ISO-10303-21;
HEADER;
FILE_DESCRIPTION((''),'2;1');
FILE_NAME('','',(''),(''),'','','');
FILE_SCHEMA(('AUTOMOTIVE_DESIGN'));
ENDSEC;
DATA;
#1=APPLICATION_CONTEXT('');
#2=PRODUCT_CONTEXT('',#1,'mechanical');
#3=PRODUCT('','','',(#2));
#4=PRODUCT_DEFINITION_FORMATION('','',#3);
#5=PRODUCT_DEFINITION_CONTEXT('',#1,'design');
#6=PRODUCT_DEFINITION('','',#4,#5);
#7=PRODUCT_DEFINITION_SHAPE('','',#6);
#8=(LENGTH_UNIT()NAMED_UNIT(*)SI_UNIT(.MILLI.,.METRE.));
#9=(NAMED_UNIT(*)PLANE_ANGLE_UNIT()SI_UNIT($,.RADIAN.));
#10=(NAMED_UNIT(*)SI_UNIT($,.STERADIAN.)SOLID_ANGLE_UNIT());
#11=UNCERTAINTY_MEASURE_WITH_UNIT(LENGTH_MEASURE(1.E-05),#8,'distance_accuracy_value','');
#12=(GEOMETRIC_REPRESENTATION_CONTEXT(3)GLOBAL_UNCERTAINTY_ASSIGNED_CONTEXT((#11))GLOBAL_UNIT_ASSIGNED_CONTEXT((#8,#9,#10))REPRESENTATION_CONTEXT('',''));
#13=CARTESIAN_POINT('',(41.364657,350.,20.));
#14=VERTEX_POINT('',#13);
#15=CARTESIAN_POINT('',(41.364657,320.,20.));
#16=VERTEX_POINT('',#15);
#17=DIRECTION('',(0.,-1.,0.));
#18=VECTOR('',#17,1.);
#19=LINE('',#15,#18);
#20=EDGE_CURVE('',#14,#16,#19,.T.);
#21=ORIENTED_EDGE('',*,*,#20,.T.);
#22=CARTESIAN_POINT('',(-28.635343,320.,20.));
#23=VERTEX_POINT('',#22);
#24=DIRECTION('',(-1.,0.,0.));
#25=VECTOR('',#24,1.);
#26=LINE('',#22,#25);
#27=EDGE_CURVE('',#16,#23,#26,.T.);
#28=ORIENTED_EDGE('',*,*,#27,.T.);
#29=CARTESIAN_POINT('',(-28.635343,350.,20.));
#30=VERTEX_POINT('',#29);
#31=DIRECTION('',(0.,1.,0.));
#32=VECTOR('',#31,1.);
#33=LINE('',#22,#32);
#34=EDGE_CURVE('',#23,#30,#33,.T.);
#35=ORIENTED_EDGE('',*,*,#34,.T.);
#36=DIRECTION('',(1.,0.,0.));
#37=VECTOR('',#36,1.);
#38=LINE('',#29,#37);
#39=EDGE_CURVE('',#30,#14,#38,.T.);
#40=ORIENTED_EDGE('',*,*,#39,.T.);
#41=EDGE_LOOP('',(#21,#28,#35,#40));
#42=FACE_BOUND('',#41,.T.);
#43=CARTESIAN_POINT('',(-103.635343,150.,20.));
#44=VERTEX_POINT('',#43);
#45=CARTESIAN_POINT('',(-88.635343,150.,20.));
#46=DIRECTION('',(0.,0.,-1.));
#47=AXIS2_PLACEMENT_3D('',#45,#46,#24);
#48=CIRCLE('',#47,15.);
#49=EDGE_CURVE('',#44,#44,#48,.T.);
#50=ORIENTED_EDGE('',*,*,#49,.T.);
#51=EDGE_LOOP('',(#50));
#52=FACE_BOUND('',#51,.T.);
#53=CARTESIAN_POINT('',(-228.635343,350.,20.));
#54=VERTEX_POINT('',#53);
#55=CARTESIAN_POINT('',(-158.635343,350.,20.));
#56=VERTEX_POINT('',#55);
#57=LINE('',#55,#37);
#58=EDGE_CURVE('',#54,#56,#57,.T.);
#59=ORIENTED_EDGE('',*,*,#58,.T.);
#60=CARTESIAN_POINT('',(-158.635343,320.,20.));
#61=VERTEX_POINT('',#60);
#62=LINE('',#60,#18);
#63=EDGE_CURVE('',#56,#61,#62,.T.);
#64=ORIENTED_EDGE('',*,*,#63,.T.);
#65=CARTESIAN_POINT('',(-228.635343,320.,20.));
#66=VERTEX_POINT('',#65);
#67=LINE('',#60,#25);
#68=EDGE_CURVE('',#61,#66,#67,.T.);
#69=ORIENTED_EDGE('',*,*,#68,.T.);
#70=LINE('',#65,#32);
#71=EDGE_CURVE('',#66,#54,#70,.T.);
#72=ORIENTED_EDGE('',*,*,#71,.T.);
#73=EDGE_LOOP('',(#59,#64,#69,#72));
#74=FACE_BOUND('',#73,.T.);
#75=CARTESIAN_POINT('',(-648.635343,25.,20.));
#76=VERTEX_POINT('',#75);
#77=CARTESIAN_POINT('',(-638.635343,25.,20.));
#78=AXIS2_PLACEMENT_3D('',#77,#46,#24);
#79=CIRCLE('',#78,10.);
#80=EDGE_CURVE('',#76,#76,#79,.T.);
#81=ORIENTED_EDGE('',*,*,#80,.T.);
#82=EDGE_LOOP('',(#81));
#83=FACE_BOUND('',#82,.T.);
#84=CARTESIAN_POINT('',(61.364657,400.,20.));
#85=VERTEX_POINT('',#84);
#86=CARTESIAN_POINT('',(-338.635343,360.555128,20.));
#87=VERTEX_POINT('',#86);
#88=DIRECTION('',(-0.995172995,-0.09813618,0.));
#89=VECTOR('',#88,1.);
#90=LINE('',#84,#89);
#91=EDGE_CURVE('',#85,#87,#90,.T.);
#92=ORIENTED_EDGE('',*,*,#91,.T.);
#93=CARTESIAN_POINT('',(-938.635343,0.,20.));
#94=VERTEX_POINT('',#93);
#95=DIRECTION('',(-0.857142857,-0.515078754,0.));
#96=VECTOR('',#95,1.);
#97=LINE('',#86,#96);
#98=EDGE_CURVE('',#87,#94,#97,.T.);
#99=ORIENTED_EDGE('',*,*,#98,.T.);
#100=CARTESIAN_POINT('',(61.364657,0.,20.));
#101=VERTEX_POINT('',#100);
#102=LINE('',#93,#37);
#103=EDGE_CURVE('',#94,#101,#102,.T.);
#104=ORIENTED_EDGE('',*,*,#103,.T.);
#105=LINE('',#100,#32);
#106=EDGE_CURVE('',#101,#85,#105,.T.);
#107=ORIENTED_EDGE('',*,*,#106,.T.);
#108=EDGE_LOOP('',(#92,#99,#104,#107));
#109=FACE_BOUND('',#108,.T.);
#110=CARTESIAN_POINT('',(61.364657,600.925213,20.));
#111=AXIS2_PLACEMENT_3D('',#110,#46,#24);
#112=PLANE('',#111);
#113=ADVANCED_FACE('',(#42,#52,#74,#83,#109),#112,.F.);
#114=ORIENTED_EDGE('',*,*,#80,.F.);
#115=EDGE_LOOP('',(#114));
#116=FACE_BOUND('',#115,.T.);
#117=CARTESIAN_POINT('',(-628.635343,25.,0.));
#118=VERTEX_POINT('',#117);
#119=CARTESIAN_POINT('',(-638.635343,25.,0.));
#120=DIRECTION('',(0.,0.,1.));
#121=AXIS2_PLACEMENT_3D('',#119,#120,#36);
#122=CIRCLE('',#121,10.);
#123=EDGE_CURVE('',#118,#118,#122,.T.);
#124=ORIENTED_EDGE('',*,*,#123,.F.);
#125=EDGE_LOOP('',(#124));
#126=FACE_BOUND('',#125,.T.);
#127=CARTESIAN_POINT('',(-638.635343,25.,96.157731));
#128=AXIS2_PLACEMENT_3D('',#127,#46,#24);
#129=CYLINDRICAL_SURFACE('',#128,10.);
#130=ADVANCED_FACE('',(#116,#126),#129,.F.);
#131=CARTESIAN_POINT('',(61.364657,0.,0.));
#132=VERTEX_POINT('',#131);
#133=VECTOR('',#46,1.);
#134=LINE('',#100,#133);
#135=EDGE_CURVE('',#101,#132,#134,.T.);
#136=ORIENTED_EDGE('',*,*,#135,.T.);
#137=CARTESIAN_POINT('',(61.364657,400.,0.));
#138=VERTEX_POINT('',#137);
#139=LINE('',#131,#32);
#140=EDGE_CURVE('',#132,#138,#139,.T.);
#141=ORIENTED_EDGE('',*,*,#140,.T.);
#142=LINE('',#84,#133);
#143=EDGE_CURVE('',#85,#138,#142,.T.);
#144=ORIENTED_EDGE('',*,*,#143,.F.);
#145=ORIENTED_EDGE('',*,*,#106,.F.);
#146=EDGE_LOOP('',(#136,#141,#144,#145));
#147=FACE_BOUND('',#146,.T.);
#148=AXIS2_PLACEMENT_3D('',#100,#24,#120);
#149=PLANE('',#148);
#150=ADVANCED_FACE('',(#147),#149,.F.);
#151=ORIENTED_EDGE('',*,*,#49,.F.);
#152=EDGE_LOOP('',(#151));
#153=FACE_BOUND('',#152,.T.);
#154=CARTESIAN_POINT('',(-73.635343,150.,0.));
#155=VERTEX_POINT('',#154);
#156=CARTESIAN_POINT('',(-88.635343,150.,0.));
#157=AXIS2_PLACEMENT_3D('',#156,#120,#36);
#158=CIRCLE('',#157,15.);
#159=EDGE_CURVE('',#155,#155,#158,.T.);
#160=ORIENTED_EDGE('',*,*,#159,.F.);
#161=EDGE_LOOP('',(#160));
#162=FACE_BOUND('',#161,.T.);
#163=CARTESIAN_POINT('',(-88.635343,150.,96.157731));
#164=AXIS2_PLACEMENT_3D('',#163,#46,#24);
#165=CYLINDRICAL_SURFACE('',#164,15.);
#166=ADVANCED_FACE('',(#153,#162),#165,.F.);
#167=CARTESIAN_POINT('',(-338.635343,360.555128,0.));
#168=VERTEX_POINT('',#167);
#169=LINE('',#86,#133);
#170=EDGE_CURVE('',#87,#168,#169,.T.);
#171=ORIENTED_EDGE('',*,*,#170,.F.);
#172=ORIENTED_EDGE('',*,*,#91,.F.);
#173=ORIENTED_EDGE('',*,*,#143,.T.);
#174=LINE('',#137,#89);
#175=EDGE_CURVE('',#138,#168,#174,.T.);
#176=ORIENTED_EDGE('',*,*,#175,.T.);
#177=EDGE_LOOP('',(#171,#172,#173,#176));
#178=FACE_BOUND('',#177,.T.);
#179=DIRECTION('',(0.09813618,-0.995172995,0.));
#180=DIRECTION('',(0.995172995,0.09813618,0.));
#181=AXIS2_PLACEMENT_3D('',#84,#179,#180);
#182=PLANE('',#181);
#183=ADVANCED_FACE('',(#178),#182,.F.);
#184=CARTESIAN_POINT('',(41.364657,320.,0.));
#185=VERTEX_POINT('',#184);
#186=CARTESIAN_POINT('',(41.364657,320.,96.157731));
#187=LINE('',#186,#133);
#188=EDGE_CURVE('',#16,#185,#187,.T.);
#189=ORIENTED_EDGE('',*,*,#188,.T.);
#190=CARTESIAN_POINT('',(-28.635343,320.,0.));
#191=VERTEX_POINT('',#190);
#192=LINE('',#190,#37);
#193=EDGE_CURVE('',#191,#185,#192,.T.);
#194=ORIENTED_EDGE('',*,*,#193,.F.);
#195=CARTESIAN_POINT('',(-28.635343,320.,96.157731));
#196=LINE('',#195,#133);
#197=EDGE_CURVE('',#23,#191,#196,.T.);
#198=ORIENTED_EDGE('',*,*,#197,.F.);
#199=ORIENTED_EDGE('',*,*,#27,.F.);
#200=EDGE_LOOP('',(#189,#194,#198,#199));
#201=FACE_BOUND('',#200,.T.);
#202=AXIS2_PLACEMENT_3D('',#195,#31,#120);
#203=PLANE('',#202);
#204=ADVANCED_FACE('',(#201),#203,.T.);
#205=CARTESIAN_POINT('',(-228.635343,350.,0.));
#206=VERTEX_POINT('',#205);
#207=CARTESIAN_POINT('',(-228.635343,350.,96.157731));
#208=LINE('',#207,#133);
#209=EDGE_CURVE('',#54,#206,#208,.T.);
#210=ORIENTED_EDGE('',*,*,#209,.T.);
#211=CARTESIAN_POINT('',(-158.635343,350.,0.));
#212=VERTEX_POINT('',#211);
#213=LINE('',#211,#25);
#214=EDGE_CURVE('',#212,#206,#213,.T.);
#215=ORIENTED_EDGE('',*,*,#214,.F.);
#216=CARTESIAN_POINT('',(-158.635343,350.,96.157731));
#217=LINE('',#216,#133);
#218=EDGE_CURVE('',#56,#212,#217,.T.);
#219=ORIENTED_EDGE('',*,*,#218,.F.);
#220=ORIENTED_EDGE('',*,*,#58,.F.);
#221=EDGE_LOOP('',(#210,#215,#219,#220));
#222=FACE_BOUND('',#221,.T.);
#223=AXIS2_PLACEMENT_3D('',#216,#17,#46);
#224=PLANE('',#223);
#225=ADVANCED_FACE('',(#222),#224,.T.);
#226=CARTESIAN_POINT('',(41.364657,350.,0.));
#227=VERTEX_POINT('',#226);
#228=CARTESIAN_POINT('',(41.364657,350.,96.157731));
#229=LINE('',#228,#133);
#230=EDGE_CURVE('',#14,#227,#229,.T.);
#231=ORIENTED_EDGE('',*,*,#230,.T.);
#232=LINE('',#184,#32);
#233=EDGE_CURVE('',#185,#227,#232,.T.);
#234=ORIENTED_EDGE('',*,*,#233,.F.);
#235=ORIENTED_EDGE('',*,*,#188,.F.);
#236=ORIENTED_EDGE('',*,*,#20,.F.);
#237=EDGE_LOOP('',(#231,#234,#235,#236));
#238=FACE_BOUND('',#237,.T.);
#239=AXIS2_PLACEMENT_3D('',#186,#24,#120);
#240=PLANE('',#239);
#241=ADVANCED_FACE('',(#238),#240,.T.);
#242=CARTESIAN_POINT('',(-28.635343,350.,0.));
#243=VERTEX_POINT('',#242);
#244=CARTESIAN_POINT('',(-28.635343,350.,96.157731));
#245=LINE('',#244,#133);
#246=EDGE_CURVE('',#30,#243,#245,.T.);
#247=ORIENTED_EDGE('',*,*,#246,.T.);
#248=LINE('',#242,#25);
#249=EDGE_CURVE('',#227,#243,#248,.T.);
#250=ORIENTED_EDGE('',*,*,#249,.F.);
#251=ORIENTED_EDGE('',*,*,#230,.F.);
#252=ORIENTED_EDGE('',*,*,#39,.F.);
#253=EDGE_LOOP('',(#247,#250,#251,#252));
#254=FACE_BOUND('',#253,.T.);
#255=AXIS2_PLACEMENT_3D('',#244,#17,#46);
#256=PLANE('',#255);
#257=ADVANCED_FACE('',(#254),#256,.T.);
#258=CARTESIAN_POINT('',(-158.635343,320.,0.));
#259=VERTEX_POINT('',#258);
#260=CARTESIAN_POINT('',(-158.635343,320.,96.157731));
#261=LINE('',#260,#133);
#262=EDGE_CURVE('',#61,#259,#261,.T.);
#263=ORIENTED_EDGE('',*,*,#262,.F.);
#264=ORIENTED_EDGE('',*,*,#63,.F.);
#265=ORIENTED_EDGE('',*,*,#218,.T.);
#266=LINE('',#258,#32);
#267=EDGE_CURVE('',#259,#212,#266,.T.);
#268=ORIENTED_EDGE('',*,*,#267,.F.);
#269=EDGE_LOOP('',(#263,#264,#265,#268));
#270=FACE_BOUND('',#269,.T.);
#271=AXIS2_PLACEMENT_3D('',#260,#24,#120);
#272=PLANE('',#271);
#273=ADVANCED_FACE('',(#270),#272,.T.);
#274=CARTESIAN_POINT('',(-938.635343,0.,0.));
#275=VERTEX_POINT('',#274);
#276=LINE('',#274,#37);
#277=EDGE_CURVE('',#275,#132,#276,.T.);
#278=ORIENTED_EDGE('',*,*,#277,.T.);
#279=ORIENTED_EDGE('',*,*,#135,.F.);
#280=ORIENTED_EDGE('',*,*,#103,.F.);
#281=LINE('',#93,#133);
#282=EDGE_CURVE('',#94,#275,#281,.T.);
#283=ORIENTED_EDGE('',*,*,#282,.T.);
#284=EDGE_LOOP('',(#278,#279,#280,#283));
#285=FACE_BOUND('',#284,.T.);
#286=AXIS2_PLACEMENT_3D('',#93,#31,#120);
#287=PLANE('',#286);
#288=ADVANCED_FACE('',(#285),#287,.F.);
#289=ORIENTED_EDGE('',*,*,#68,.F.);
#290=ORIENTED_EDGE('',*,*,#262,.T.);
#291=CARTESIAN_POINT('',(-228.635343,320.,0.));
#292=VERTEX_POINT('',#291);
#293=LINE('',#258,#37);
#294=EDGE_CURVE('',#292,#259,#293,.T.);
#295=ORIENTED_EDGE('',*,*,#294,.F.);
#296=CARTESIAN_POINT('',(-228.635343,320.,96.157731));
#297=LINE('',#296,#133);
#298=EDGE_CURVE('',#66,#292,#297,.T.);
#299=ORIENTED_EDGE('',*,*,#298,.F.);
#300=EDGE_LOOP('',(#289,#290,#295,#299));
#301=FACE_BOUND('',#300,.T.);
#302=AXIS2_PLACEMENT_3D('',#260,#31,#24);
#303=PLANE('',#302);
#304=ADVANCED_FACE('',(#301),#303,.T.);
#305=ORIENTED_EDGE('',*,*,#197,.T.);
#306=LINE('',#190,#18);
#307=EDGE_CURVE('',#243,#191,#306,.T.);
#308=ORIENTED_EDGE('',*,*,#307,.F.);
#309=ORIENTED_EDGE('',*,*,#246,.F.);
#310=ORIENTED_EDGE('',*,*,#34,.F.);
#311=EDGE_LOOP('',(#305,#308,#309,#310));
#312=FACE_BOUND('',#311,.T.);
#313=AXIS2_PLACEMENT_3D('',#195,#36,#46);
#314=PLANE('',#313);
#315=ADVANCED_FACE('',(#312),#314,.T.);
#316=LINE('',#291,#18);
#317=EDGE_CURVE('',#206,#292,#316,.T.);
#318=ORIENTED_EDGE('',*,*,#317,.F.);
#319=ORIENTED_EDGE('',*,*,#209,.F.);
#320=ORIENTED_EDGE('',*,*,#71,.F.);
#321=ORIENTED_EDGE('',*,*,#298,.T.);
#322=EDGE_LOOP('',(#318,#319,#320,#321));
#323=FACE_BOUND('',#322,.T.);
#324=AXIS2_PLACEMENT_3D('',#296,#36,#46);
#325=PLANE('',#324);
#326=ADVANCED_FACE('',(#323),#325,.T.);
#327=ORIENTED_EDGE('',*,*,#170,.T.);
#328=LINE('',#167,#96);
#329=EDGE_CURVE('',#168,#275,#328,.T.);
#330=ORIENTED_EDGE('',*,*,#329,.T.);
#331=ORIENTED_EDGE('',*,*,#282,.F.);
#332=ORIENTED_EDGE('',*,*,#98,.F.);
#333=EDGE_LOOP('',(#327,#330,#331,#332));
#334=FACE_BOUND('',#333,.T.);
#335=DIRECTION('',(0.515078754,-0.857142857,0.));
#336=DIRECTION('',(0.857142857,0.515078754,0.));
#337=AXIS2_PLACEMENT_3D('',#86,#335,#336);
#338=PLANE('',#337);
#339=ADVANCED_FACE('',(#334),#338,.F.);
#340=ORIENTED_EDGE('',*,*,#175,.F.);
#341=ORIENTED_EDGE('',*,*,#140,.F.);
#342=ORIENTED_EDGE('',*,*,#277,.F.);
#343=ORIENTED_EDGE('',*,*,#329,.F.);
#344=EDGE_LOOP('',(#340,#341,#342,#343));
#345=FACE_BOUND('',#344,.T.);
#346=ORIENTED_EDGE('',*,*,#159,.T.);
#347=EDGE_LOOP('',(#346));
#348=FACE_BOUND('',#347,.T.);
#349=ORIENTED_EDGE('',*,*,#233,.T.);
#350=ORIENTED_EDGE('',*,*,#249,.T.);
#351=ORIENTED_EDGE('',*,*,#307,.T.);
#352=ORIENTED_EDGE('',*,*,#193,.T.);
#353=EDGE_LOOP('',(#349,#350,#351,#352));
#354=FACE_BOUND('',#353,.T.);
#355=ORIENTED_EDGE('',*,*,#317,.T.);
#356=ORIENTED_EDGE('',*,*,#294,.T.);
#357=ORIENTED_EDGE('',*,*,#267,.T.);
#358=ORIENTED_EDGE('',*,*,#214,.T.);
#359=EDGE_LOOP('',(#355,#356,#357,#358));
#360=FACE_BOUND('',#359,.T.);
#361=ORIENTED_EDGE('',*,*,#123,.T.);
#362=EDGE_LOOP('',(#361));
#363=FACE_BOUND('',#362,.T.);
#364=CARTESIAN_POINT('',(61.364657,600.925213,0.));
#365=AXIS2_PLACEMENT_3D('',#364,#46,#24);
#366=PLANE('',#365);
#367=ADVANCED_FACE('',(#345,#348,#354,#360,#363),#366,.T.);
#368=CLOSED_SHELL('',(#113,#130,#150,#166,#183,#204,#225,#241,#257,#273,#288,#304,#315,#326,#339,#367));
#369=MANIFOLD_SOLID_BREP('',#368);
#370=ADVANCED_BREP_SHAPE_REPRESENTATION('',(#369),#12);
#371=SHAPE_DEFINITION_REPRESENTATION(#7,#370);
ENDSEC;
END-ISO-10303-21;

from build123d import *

# Parameters (mm, degrees)
EXTRUDE_1_DEPTH     = 20
SKETCH_2_R          = 15
SKETCH_2_R_2        = 10
SKETCH_2_W          = 70
SKETCH_2_H          = 30
CUT_EXTRUDE_2_DEPTH = 20


with BuildPart() as part:
    # 草图1 → 凸台-拉伸1 (new body)
    with BuildSketch(Plane.XY):
        Polygon((-938.635343121, 0), (61.364656879, 0), (61.364656879, 400), (-338.635343121, 360.555127546), align=None)
    extrude(amount=EXTRUDE_1_DEPTH)

    # 草图2 → 切除-拉伸2 (cut)
    with BuildSketch(Plane.XY):
        with Locations(Location((-88.635343121, 150, 0), (0, 0, 180))):
            Circle(SKETCH_2_R)
        with Locations(Location((-638.635343121, 25, 0), (0, 0, 180))):
            Circle(SKETCH_2_R_2)
        with Locations((-193.635343121, 335)):
            Rectangle(SKETCH_2_W, SKETCH_2_H)
        with Locations((6.364656879, 335)):
            Rectangle(SKETCH_2_W, SKETCH_2_H)
    extrude(amount=CUT_EXTRUDE_2_DEPTH, mode=Mode.SUBTRACT)


solid = part.part
